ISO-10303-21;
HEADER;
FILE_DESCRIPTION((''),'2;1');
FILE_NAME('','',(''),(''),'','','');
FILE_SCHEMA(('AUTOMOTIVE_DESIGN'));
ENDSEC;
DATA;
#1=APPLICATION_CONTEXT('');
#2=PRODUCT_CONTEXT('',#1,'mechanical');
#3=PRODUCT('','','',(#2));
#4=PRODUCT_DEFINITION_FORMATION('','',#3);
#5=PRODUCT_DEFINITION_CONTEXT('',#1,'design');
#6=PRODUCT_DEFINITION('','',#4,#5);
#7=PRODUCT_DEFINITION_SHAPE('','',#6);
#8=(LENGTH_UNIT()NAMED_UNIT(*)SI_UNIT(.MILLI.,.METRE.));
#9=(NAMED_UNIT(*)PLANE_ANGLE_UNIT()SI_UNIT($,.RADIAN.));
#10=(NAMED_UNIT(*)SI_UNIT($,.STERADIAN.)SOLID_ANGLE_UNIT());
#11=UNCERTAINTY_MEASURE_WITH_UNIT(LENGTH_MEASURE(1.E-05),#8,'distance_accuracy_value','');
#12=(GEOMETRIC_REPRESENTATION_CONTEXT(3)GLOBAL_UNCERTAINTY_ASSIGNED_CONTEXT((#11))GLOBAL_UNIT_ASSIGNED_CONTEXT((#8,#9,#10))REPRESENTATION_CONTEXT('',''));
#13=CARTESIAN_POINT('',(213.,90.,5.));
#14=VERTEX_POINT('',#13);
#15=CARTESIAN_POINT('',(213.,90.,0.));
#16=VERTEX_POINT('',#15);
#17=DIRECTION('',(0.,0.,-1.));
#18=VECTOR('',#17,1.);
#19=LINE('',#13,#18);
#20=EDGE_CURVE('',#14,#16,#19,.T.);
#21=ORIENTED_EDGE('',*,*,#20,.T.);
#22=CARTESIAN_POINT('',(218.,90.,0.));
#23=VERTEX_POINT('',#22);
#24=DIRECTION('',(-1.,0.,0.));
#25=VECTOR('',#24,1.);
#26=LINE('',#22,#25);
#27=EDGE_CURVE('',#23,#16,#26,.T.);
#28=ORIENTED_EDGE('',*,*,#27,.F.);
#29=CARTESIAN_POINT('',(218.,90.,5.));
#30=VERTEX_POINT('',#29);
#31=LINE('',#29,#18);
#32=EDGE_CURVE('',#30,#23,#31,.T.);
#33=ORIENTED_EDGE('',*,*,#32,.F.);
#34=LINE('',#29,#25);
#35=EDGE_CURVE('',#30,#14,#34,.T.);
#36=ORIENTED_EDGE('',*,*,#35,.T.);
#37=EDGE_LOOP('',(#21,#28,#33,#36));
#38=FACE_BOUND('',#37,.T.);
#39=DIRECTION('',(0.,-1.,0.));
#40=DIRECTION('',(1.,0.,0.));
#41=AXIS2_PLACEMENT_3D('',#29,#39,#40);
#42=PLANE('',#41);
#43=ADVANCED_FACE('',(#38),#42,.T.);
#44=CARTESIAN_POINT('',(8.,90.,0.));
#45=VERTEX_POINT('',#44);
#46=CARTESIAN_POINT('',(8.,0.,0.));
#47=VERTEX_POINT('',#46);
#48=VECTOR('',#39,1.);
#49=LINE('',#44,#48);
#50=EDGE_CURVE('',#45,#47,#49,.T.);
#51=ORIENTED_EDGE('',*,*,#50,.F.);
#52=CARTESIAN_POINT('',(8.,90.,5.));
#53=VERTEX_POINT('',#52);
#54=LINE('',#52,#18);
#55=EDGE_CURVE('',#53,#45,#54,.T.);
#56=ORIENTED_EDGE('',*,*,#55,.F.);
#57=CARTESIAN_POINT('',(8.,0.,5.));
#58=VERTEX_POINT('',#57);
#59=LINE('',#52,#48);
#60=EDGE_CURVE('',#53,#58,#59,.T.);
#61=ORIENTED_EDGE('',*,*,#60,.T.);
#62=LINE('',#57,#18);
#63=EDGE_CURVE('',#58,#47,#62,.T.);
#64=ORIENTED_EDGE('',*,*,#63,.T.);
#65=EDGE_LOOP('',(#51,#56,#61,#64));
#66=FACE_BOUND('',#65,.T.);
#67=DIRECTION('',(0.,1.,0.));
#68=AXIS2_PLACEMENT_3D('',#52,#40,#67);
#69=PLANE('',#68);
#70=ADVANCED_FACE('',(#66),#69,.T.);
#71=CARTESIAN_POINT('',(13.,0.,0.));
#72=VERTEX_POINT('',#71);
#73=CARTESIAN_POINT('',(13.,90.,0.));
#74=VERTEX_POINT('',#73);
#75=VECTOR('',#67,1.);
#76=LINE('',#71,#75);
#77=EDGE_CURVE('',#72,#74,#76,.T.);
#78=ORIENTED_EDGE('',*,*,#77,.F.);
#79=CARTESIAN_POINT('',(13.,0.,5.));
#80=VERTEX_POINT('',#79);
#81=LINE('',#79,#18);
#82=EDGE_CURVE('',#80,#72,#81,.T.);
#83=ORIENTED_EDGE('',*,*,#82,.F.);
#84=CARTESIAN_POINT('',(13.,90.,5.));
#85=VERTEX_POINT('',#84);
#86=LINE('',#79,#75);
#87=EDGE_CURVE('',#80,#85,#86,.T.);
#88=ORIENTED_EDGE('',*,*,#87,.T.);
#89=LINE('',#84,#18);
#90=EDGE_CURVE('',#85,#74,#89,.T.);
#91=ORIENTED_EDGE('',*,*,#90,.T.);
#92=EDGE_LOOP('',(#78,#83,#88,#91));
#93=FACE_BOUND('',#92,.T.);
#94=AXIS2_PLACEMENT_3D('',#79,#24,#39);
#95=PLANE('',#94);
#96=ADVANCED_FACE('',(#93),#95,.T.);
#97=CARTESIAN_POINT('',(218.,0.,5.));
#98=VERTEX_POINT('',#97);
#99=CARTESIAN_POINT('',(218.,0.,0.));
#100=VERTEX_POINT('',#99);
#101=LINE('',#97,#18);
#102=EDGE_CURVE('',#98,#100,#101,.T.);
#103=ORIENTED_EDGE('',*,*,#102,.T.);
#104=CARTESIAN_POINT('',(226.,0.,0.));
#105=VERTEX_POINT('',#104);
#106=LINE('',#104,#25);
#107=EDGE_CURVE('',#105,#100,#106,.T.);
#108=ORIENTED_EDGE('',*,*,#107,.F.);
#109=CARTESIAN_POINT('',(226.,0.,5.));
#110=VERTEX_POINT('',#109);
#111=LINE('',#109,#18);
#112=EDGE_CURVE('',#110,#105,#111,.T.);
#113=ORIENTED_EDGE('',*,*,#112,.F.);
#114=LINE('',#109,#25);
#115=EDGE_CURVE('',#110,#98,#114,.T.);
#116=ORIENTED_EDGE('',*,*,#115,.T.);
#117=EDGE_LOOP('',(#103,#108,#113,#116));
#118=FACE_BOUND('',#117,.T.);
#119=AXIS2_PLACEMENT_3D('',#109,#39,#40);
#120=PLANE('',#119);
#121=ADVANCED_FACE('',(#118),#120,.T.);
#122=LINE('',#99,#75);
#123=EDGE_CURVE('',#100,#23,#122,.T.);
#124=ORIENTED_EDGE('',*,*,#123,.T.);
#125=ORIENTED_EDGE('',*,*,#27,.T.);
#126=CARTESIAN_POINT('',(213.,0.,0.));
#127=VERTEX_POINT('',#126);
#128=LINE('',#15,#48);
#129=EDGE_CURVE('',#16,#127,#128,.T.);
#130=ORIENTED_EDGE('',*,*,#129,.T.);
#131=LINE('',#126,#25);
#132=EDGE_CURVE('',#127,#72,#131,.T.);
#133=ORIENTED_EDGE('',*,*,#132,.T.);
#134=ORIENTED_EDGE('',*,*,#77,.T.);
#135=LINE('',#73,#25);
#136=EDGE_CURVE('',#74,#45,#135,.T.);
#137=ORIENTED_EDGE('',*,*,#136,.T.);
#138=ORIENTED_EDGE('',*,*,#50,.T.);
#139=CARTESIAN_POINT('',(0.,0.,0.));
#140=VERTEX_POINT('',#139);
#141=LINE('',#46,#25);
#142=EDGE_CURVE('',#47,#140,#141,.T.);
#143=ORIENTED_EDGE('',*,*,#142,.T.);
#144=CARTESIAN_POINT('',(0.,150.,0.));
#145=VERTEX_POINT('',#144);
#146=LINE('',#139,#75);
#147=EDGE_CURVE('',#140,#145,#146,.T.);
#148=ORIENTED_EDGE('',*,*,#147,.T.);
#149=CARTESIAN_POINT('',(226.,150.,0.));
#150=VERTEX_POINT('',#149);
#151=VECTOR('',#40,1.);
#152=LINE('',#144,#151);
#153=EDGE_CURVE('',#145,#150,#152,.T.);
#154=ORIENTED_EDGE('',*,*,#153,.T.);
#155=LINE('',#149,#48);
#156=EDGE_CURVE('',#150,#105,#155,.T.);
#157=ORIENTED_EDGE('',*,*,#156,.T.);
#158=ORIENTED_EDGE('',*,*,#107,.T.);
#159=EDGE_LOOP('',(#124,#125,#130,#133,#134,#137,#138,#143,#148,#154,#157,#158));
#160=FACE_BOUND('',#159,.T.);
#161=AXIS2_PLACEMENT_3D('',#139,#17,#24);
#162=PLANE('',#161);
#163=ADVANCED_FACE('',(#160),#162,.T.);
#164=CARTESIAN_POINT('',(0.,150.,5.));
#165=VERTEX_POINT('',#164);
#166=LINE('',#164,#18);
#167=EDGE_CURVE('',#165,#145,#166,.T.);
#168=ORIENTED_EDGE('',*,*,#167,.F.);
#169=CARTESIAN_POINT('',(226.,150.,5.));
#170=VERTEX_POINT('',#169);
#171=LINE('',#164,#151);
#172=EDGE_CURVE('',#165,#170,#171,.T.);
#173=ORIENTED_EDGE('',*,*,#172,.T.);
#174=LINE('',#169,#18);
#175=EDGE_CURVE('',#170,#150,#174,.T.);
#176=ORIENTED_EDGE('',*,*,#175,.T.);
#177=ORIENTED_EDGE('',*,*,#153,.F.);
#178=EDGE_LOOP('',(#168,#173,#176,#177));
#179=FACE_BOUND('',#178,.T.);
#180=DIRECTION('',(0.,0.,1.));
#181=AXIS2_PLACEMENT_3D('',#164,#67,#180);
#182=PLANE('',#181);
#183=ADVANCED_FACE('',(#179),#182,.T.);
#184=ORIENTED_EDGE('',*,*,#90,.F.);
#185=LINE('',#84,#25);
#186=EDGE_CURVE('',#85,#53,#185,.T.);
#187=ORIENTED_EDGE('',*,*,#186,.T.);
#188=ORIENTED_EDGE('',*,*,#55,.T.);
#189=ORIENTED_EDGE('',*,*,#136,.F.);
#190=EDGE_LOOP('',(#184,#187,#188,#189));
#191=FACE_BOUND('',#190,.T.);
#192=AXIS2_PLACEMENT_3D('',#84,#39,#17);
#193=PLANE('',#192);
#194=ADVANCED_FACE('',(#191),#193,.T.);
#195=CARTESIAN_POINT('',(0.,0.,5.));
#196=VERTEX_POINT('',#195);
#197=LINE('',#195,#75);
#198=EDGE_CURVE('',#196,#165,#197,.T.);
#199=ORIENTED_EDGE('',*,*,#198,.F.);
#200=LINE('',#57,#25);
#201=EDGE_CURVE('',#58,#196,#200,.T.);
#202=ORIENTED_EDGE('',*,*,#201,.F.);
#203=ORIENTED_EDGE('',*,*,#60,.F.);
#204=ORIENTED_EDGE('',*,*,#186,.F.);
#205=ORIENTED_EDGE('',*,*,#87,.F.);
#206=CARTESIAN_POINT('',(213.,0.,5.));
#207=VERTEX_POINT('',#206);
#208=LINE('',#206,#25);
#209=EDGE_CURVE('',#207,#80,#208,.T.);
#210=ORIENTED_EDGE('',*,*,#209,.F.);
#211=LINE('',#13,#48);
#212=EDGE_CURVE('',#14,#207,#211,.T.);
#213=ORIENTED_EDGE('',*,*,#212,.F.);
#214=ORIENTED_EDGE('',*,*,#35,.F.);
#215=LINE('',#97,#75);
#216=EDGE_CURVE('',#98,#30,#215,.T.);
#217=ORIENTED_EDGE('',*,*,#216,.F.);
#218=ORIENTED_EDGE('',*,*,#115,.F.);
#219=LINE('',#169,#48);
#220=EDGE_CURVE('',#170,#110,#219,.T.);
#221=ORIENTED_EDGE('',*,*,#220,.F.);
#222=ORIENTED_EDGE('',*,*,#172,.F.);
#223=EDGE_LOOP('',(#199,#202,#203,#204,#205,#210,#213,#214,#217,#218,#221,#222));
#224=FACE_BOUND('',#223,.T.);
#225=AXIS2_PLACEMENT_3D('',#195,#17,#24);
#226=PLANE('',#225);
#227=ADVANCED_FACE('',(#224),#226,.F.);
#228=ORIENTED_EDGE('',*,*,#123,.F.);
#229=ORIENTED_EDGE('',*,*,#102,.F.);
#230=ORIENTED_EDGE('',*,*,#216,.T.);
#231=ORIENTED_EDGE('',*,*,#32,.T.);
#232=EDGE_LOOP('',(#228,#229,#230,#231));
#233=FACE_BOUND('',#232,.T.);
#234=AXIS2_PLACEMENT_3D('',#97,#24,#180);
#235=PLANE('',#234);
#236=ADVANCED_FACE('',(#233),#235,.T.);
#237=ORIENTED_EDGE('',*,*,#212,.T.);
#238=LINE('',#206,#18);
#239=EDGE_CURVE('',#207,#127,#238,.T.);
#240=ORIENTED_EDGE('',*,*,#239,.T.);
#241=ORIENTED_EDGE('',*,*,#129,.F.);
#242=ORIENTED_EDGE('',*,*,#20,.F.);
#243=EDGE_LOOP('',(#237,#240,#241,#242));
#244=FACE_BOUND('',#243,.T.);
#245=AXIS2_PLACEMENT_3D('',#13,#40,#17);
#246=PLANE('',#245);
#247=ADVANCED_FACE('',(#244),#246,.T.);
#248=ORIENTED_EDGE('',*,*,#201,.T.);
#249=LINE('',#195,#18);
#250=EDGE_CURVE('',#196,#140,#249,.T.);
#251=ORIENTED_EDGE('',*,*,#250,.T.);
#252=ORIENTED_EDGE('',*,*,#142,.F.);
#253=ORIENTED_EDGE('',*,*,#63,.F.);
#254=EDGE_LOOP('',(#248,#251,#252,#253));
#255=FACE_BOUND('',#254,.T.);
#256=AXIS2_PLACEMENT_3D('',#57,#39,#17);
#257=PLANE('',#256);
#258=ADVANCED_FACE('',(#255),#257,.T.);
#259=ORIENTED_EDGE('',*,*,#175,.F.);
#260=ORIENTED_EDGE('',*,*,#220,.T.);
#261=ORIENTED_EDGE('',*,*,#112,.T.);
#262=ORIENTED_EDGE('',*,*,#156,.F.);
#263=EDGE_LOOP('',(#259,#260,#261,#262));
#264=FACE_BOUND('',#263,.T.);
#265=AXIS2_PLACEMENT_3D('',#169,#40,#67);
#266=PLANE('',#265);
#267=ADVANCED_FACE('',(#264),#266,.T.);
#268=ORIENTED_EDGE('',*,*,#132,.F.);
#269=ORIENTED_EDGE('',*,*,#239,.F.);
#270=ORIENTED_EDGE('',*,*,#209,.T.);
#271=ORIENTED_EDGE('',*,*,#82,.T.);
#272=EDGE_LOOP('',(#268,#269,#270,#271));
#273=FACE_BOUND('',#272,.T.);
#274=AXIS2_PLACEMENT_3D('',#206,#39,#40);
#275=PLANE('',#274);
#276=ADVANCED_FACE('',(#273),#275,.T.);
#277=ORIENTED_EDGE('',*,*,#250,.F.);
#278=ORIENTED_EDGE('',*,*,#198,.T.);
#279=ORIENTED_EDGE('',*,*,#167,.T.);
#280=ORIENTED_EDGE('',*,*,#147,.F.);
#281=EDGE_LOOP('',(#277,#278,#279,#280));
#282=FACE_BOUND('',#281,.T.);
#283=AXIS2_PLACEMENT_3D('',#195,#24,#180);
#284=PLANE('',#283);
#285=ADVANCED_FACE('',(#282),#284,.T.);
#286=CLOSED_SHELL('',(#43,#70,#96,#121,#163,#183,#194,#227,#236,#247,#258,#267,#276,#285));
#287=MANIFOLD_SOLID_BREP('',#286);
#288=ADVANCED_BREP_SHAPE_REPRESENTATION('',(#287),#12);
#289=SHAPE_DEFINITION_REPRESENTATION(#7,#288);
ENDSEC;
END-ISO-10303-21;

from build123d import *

# Parameters (mm, degrees)
BOSS_EXTRU_1_DEPTH = 5


with BuildPart() as part:
    # Esquisse1 → Boss.-Extru.1 (new body)
    with BuildSketch(Plane.XY):
        Polygon((0, 0), (0, 150), (226, 150), (226, 0), (218, 0), (218, 90), (213, 90), (213, 0), (13, 0), (13, 90), (8, 90), (8, 0), align=None)
    extrude(amount=BOSS_EXTRU_1_DEPTH)


solid = part.part
